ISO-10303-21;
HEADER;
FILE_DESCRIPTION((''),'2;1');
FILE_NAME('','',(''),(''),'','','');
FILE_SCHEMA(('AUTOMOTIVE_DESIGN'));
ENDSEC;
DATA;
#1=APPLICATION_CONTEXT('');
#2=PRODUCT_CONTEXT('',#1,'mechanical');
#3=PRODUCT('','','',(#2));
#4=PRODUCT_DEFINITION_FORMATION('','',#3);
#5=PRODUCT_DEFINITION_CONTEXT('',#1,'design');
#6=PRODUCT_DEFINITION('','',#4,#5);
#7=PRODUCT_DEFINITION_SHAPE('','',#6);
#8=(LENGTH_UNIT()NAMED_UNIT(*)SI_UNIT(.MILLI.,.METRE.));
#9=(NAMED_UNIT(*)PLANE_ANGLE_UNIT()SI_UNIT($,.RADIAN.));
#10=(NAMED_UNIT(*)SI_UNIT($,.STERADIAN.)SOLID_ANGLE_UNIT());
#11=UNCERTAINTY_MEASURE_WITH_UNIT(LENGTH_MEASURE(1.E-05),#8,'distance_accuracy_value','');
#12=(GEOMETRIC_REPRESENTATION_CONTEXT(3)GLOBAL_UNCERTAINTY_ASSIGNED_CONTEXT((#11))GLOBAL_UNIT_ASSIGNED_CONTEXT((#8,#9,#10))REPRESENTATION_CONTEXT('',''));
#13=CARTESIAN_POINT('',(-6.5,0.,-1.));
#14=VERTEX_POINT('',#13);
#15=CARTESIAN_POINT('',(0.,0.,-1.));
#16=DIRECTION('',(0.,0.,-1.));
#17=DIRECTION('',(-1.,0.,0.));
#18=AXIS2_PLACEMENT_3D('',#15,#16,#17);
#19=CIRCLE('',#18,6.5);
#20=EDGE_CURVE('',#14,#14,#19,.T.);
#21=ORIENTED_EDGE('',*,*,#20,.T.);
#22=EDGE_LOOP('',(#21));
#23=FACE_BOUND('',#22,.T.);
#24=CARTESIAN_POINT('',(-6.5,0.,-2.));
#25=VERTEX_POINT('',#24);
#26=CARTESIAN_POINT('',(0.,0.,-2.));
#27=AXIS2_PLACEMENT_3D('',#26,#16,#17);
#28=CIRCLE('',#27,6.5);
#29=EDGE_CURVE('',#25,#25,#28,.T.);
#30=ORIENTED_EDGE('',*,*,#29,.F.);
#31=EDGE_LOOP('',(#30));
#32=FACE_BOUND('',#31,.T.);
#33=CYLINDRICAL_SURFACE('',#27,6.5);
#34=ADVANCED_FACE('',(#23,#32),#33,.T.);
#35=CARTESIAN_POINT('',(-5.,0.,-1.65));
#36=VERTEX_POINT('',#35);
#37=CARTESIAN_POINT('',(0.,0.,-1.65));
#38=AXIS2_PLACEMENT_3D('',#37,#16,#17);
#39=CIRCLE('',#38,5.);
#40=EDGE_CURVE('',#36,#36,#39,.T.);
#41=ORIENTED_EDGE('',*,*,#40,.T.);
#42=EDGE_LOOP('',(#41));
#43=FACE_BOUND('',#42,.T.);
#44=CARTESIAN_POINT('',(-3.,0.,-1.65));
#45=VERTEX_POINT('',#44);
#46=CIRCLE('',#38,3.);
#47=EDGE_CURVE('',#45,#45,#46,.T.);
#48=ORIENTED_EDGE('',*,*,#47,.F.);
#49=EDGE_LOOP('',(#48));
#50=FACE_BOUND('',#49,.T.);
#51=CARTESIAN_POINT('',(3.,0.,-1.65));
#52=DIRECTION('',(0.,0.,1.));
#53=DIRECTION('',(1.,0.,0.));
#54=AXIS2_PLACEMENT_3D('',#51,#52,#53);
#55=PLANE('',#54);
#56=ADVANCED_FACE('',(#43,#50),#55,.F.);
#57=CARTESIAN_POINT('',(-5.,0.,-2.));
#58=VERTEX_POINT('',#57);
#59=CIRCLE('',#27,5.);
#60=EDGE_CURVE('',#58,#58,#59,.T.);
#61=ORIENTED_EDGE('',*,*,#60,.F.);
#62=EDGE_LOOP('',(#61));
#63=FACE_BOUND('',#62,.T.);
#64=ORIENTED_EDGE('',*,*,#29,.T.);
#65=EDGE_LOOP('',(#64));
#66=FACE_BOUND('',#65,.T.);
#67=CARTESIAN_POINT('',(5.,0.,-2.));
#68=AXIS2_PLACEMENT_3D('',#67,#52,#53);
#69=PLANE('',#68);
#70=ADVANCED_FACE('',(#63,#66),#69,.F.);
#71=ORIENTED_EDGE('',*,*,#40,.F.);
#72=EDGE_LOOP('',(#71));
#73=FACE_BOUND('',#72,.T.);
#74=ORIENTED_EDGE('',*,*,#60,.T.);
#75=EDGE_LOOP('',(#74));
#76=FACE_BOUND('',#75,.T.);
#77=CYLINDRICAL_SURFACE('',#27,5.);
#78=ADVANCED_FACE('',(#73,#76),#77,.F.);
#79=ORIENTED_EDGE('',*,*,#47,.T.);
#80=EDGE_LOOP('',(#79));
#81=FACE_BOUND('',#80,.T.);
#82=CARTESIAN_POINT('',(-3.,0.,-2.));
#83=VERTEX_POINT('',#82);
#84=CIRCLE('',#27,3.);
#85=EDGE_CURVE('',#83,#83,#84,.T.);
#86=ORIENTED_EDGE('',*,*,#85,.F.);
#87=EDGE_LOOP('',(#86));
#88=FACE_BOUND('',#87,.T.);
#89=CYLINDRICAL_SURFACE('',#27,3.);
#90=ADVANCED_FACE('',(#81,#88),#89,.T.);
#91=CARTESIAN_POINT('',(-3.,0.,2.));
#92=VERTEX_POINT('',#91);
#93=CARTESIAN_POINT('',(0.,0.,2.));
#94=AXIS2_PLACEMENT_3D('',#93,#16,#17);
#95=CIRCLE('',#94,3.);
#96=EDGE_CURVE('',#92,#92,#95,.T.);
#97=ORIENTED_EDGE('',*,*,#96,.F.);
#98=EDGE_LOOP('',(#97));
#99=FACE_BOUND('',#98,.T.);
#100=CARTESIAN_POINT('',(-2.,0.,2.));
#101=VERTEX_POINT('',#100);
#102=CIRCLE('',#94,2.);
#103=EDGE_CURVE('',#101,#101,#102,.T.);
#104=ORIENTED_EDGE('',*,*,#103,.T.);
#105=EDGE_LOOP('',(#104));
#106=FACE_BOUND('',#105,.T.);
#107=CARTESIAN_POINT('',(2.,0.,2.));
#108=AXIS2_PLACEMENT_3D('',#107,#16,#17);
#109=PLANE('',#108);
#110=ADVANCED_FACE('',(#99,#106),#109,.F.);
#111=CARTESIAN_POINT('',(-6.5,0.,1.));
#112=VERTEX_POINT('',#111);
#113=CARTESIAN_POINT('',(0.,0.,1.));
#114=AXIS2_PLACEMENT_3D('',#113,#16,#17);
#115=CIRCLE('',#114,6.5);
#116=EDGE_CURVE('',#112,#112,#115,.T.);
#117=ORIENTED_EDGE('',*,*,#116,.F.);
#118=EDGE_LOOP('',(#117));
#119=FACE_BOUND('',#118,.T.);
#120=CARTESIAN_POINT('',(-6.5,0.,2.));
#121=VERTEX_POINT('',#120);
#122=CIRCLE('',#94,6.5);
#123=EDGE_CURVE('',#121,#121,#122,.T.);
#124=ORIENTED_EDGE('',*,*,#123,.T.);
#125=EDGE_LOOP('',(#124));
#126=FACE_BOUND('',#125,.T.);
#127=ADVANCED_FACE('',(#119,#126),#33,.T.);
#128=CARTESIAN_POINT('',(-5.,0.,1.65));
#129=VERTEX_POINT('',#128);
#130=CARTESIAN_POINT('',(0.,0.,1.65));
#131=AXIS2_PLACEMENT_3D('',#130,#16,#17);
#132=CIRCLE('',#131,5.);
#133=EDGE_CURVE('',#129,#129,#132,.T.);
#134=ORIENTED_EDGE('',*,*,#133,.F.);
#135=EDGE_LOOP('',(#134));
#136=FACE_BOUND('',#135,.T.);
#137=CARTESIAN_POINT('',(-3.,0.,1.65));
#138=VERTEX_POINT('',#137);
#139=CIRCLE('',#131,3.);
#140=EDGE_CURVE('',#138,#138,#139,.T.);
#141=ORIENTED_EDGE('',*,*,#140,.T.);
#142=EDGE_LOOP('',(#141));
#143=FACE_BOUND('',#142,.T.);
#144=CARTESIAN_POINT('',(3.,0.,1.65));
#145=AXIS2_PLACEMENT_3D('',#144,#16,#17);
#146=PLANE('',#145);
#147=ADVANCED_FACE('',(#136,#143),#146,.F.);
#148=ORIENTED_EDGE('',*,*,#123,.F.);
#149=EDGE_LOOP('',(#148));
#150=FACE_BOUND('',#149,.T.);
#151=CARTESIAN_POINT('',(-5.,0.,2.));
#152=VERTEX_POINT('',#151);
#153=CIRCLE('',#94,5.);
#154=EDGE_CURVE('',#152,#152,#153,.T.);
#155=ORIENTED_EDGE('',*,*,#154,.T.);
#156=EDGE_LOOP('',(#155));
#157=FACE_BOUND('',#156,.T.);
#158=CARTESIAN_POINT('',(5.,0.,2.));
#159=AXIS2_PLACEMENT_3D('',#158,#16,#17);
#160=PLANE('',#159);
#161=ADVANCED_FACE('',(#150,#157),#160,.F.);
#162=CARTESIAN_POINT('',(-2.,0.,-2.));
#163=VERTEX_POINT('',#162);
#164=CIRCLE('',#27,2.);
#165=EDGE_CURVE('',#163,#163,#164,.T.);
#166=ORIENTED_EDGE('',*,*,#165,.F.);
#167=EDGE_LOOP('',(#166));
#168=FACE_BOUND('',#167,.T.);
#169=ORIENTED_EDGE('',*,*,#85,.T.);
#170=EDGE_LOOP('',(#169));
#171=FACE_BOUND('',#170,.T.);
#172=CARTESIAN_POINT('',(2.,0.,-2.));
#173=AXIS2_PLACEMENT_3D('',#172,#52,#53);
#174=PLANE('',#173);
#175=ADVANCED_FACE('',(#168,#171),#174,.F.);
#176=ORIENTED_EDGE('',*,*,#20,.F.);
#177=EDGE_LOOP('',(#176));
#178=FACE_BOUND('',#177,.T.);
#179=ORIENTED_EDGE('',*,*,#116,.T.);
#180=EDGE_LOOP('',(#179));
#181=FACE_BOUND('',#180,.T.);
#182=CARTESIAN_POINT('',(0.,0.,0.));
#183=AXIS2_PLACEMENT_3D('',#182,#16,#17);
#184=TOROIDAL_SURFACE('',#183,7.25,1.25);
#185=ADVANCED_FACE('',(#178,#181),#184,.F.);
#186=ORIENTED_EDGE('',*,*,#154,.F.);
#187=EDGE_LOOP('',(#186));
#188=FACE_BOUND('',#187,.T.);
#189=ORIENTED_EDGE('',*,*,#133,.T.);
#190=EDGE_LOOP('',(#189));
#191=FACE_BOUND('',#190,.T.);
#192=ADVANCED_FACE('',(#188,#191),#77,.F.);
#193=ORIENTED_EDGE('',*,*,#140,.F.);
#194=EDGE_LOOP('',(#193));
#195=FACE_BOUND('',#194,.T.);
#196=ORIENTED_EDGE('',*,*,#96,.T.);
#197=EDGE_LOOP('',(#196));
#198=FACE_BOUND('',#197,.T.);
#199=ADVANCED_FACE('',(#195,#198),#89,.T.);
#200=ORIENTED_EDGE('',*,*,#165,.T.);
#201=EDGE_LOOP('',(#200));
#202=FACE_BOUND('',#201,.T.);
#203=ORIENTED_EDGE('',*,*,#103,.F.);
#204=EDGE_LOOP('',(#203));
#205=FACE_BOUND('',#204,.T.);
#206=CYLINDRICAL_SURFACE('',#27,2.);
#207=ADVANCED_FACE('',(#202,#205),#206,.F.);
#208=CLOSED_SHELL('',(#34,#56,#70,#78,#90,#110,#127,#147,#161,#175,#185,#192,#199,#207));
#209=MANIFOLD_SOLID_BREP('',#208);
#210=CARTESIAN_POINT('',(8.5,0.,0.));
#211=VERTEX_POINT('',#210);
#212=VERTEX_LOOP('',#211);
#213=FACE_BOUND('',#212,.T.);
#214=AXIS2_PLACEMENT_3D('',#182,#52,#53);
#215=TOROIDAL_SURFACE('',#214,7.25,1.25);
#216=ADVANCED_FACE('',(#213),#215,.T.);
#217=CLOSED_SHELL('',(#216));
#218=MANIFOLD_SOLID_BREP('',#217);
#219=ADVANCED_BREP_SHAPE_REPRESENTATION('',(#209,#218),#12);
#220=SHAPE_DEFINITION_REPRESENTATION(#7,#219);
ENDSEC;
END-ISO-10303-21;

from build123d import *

# Parameters (mm, degrees)
SKETCH6_R = 1.25


with BuildPart() as part:
    # Sketch1 → Revolve1 (revolve)
    with BuildSketch(Plane(origin=(0, 0, 0), x_dir=(1, 0, 0), z_dir=(0, 1, 0)), mode=Mode.PRIVATE) as revolve1_sk:
        with BuildLine():
            Line((2, 2), (2, -2))
            Line((2, -2), (3, -2))
            Line((3, -2), (3, -1.65))
            Line((3, -1.65), (5, -1.65))
            Line((5, -1.65), (5, -2))
            Line((5, -2), (6.5, -2))
            Line((6.5, -2), (6.5, -1))
            ThreePointArc((6.5, -1), (6, 0), (6.5, 1))
            Line((6.5, 1), (6.5, 2))
            Line((6.5, 2), (5, 2))
            Line((5, 2), (5, 1.65))
            Line((5, 1.65), (3, 1.65))
            Line((3, 1.65), (3, 2))
            Line((3, 2), (2, 2))
        make_face()
    revolve(revolve1_sk.sketch.rotate(Axis((0, 0, -2), (0, 0, 1)), 180), axis=Axis((0, 0, -2), (0, 0, 1)))


with BuildPart() as body_2:
    # Sketch6 → O-Ring Revolve (revolve)
    with BuildSketch(Plane(origin=(0, 0, 0), x_dir=(1, 0, 0), z_dir=(0, 1, 0))):
        with Locations((7.25, 0)):
            Circle(SKETCH6_R)
    revolve(axis=Axis((0, 0, 0), (0, 0, -1)))


solid = Compound([part.part, body_2.part])
